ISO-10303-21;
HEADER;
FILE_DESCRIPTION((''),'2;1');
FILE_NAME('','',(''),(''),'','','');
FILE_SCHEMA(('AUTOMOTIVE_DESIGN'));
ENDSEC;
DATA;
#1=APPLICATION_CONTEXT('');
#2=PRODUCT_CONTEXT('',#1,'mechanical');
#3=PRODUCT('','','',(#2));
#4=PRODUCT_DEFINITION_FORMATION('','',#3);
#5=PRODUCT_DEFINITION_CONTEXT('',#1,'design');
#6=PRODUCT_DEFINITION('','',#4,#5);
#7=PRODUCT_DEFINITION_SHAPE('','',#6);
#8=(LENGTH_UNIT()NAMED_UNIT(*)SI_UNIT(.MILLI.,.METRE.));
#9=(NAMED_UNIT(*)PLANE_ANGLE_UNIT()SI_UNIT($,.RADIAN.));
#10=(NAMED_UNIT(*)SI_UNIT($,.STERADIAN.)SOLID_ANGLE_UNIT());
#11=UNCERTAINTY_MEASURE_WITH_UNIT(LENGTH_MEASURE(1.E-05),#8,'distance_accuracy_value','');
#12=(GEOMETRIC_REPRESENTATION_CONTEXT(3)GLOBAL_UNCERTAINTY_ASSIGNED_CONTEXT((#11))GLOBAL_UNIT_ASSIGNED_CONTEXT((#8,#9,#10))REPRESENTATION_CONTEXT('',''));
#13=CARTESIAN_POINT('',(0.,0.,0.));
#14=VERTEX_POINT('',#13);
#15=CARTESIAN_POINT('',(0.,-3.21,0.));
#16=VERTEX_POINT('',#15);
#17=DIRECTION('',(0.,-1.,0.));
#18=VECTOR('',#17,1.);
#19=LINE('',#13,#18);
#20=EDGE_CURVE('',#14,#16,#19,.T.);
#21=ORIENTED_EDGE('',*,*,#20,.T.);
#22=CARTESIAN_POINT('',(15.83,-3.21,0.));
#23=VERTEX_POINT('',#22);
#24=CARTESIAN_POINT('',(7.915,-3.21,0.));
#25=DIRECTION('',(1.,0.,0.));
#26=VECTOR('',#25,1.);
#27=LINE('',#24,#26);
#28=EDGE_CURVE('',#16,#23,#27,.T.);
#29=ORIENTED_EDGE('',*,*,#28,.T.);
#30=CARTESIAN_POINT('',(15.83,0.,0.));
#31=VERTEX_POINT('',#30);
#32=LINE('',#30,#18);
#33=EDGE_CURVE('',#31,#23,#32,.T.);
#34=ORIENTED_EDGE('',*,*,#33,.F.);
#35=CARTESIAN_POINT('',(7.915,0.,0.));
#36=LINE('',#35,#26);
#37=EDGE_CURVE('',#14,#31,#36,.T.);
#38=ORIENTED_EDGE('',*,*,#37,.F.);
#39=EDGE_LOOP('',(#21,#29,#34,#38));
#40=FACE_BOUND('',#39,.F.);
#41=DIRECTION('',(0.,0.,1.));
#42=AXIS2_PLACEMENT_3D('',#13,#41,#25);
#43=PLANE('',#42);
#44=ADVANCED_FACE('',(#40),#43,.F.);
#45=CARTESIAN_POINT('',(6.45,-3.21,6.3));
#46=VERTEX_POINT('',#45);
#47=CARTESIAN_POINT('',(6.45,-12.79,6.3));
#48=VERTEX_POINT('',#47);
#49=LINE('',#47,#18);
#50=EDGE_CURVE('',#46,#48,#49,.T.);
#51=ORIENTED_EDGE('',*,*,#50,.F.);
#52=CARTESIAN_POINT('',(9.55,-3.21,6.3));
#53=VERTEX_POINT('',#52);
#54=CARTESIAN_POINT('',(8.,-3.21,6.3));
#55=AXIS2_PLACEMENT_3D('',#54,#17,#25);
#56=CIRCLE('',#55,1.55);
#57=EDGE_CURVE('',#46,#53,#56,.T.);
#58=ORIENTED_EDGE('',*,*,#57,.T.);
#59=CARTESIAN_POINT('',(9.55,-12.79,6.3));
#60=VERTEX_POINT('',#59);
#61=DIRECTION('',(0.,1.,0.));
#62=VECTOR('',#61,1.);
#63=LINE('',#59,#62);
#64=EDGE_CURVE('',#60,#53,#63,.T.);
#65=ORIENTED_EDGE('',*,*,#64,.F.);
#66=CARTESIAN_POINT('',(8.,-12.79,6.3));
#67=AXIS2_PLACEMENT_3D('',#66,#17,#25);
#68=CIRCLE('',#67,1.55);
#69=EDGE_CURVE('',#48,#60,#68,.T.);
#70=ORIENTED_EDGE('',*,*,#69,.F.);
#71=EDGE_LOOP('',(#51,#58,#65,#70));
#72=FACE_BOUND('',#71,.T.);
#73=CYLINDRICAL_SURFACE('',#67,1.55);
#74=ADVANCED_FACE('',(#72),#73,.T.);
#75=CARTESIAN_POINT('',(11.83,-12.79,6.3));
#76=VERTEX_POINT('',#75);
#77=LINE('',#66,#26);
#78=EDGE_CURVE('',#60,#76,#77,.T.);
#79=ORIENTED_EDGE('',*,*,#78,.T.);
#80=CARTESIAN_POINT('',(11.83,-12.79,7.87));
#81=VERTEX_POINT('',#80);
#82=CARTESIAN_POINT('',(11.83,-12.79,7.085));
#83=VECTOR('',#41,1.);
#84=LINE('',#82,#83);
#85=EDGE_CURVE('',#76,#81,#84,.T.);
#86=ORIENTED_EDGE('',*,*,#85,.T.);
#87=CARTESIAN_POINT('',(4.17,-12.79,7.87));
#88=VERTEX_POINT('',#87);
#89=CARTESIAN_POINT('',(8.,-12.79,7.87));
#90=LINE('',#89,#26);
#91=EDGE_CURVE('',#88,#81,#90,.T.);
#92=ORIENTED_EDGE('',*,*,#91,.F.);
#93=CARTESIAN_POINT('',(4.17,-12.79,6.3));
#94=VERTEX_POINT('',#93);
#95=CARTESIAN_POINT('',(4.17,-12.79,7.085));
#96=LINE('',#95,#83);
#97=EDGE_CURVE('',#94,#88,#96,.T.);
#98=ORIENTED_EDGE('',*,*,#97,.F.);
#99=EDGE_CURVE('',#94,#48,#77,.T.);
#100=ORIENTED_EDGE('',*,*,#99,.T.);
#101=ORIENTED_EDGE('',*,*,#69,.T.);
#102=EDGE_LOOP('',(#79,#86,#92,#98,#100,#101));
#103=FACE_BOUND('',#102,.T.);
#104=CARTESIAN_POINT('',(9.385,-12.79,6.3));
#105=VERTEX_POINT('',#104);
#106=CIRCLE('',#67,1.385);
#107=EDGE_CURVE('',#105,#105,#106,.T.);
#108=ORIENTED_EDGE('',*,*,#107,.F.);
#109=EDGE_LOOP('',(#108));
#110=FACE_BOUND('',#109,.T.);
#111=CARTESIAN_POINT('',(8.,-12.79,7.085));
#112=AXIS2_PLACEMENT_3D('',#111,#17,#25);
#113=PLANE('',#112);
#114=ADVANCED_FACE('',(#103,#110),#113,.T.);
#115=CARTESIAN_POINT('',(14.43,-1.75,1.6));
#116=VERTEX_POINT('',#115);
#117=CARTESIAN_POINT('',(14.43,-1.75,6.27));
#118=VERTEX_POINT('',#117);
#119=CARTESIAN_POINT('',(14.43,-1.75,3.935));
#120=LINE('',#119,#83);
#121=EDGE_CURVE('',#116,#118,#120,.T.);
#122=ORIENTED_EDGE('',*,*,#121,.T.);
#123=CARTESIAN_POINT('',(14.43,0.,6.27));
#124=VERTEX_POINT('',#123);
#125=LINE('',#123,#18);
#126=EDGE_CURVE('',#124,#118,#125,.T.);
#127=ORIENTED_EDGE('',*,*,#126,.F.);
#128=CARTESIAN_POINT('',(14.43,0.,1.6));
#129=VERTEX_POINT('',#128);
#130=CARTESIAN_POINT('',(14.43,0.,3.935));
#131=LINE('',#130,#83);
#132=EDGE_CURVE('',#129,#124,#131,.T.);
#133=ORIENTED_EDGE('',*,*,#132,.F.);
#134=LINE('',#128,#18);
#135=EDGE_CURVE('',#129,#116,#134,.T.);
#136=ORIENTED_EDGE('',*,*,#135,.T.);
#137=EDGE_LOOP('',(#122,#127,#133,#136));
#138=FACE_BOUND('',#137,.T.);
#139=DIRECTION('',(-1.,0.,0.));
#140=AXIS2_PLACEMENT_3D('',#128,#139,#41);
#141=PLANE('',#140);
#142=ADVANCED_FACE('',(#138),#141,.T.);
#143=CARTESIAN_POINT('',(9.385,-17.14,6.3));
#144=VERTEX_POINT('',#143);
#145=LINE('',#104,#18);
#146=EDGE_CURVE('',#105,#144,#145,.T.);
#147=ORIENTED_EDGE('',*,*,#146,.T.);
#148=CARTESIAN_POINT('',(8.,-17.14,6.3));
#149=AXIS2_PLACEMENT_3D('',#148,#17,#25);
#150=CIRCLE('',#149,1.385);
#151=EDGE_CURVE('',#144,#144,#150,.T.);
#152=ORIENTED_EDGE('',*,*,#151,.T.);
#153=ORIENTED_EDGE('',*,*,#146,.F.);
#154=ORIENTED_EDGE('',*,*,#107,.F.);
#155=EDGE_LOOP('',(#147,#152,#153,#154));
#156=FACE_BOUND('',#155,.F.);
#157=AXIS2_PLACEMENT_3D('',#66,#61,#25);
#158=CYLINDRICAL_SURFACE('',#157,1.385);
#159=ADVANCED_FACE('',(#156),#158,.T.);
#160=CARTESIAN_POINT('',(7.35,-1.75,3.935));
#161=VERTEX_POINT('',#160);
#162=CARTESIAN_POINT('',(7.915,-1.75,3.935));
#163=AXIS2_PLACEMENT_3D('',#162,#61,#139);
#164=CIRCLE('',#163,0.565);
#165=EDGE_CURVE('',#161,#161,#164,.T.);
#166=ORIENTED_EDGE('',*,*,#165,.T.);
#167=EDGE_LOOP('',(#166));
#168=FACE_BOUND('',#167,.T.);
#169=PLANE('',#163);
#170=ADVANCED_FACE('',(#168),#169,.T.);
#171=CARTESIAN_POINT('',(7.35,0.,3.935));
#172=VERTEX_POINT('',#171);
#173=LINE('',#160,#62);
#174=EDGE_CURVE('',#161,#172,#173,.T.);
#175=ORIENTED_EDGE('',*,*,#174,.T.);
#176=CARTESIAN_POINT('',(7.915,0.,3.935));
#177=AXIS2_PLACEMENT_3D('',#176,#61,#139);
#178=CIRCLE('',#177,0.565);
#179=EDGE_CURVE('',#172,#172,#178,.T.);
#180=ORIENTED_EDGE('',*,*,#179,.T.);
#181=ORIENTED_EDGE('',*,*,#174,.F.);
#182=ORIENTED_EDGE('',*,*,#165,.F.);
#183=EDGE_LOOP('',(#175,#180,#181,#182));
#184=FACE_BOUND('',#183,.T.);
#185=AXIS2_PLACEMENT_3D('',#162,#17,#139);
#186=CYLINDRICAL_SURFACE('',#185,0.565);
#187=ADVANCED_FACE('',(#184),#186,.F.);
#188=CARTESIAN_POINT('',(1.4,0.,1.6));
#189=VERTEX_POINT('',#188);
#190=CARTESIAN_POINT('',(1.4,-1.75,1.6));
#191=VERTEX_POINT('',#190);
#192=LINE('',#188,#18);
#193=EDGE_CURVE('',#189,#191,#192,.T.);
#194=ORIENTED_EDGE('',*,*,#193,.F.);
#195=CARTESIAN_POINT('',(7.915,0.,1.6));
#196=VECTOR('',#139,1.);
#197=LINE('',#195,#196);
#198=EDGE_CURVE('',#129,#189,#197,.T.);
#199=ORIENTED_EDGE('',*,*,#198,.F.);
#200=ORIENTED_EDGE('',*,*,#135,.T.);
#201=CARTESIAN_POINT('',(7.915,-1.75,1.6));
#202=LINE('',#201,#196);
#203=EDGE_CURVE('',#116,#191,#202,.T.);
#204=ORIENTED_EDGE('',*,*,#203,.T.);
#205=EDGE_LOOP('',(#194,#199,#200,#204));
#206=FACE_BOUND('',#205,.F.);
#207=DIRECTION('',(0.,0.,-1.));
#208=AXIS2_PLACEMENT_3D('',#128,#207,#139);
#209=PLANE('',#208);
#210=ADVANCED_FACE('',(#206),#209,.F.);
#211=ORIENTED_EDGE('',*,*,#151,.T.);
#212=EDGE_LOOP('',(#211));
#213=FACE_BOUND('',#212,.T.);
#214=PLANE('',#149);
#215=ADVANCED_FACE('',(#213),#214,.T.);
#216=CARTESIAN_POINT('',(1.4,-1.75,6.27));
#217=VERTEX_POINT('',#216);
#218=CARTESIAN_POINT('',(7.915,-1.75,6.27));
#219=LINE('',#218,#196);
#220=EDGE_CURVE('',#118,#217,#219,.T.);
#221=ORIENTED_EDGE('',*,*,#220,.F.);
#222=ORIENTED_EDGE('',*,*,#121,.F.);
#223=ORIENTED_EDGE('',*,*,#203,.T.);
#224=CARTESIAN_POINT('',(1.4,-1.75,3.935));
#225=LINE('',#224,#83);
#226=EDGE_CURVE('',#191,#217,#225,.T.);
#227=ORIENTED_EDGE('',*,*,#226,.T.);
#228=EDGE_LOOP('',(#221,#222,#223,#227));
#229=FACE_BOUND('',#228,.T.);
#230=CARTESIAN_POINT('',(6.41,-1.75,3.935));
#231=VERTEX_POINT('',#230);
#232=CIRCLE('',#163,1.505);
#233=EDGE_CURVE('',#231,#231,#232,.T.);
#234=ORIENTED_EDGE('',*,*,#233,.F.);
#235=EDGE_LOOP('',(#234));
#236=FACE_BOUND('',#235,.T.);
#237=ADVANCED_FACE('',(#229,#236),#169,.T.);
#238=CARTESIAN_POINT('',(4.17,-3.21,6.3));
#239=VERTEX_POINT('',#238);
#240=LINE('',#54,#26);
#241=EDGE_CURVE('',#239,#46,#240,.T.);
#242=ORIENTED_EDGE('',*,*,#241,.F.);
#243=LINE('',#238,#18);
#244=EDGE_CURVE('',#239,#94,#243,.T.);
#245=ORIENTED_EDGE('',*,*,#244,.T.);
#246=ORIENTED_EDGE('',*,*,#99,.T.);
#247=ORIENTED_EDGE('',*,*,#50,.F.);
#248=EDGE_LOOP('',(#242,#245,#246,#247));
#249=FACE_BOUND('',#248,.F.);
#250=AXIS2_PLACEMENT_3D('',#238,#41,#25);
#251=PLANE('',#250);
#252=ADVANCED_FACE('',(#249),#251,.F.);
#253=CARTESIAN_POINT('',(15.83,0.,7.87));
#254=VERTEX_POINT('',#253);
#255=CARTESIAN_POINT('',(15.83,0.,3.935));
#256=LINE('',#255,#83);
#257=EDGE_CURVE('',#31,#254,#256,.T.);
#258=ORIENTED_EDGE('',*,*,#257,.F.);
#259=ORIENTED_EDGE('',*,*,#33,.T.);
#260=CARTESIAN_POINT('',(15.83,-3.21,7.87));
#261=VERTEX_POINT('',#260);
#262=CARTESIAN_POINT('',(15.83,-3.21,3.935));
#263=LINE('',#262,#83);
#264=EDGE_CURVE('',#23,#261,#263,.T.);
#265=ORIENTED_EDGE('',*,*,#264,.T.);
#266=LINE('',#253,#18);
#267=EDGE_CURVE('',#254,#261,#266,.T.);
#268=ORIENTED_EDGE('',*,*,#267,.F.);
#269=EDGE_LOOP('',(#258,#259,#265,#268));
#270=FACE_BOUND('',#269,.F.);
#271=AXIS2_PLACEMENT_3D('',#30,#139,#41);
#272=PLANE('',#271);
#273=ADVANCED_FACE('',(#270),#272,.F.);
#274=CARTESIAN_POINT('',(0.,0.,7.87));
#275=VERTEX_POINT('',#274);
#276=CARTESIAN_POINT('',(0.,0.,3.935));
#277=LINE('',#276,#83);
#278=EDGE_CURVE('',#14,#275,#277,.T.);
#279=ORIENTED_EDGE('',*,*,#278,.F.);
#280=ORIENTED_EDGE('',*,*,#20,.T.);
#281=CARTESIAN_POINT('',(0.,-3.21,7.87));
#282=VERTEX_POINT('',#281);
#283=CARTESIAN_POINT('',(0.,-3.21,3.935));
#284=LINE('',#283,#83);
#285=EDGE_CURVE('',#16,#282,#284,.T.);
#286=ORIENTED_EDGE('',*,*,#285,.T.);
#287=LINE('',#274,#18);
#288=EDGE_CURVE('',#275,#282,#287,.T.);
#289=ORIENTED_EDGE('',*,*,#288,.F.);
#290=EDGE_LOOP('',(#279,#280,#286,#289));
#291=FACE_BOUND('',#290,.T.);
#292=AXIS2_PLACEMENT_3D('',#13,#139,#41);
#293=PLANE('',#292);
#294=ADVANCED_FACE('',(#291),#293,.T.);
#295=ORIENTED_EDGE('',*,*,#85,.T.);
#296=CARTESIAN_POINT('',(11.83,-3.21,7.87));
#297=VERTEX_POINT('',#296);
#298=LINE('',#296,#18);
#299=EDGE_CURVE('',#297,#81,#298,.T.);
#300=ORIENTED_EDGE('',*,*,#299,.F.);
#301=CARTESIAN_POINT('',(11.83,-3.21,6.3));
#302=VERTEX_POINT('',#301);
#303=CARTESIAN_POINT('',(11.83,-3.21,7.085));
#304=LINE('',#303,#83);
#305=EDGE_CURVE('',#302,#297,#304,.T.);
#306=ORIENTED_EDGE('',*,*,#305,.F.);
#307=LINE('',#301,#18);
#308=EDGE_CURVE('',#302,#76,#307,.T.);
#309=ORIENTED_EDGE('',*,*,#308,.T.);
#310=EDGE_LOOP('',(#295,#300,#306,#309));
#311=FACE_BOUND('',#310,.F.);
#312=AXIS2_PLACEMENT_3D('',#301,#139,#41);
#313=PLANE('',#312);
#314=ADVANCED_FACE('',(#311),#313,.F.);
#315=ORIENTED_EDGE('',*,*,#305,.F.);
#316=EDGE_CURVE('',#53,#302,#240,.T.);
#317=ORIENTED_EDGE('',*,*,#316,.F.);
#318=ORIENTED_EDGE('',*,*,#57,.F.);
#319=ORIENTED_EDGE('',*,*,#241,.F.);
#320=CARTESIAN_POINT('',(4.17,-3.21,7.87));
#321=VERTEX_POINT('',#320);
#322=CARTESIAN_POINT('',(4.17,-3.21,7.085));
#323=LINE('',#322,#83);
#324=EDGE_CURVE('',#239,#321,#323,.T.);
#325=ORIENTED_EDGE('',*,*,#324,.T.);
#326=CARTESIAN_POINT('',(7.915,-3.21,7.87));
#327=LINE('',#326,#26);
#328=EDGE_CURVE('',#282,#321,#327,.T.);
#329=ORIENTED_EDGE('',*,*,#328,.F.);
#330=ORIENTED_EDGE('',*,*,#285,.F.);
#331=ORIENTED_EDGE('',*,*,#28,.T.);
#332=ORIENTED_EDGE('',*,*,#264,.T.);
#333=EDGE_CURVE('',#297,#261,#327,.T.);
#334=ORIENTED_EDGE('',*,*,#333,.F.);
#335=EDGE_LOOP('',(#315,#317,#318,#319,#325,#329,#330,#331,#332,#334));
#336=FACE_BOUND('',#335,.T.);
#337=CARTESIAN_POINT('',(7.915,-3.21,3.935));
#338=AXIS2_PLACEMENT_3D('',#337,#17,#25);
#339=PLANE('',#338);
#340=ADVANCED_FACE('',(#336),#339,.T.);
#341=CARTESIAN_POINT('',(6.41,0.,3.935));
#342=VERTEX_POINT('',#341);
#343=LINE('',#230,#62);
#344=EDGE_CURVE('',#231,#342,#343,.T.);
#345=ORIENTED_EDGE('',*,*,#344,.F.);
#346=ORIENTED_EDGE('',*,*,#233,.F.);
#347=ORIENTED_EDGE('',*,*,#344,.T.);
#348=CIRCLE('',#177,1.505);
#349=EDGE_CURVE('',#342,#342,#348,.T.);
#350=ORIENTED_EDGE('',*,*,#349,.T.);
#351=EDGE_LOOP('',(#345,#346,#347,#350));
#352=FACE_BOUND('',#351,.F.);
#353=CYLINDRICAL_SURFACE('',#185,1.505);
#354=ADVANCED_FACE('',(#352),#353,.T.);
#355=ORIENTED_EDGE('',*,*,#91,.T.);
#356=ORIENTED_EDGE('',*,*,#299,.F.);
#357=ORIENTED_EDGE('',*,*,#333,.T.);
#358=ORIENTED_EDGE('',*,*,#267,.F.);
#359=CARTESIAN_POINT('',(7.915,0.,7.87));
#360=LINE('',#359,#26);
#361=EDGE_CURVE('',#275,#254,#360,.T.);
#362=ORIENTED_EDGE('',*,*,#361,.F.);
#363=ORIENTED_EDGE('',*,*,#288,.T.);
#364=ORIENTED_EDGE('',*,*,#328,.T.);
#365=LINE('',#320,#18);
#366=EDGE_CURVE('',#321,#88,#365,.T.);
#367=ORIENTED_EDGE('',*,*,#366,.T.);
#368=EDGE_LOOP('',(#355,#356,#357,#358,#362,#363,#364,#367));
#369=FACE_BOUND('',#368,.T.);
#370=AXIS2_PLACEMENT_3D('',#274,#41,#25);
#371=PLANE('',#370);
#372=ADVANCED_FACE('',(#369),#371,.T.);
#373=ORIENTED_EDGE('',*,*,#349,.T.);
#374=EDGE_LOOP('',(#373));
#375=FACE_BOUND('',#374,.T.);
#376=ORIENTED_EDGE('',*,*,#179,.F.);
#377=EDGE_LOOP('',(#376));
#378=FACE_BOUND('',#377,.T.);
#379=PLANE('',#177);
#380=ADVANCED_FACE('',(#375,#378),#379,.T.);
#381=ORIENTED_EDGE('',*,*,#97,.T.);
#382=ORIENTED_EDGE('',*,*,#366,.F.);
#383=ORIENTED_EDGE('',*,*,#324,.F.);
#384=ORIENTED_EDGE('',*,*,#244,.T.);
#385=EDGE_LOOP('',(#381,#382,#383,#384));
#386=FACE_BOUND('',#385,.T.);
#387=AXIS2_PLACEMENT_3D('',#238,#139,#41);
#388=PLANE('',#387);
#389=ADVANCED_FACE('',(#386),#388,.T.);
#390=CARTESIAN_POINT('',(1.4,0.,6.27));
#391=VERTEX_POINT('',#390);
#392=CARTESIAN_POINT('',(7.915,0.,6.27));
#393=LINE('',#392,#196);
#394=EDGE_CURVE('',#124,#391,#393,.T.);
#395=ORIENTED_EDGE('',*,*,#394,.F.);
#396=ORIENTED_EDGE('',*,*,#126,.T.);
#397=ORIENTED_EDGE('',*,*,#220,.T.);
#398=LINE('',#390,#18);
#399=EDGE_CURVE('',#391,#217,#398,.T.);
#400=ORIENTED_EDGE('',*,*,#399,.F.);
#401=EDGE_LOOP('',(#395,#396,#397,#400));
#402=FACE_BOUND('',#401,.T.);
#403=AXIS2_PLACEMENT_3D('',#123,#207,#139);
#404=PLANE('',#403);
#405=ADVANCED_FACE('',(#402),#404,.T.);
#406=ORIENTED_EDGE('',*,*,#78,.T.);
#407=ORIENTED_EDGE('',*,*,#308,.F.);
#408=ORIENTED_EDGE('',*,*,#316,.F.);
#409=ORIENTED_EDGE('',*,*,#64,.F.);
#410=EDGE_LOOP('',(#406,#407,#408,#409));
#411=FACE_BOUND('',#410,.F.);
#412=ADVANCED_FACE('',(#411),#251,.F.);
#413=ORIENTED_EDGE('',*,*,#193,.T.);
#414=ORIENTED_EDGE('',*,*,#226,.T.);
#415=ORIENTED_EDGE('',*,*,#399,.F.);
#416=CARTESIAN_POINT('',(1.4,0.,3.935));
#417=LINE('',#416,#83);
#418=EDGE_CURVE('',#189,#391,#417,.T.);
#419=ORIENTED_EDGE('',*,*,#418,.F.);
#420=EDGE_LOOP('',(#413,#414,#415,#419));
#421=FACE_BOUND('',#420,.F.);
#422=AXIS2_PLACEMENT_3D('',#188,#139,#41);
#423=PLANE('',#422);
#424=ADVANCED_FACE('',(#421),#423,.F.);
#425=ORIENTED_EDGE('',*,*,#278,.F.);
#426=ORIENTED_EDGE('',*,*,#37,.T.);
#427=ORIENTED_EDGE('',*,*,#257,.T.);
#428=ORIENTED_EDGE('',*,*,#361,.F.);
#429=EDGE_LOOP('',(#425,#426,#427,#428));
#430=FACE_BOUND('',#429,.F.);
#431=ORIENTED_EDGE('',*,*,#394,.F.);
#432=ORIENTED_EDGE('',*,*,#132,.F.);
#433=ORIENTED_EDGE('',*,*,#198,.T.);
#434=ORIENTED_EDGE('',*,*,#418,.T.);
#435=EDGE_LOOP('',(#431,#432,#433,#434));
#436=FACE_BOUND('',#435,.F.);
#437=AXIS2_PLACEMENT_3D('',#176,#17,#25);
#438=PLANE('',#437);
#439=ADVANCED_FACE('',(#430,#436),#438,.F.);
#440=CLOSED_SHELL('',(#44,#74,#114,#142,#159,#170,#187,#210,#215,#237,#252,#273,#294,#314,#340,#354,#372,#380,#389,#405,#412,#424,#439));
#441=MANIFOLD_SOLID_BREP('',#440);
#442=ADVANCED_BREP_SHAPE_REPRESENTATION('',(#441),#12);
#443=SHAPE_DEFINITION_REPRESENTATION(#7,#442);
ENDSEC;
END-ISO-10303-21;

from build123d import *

# Parameters (mm, degrees)
F0_W      = 15.83
F0_H      = 7.87
F1_DEPTH  = 3.21
F2_W      = 13.03
F2_H      = 4.67
F3_DEPTH  = 1.75
F4_R      = 1.505
F4_R_2    = 0.565
F5_DEPTH  = 1.75
F6_W      = 7.66
F6_H      = 1.57
F7_DEPTH  = 9.58
F8_R      = 1.55
F9_DEPTH  = 9.58
F10_R     = 1.385
F11_DEPTH = 4.35


with BuildPart() as f1:
    # F0 (on Front) → F1 (new body)
    with BuildSketch(Plane.XZ):
        with Locations((7.915, 3.935)):
            Rectangle(F0_W, F0_H)
    extrude(amount=F1_DEPTH)

    # F2 (on face) → F3 (cut)
    with BuildSketch(Plane(origin=(0, 0, 0), x_dir=(-1, 0, 0), z_dir=(0, 1, 0))):
        with Locations((-7.915, 3.935)):
            Rectangle(F2_W, F2_H)
    extrude(amount=-F3_DEPTH, mode=Mode.SUBTRACT)

    # F4 (on face) → F5 (join, through all)
    with BuildSketch(Plane(origin=(0, -1.75, 0), x_dir=(-1, 0, 0), z_dir=(0, 1, 0))):
        with Locations((-7.915, 3.935)):
            Circle(F4_R)
        with Locations((-7.915, 3.935)):
            Circle(F4_R_2, mode=Mode.SUBTRACT)
    extrude(amount=F5_DEPTH)

    # F6 (on face) → F7 (join)
    with BuildSketch(Plane.XZ.offset(3.21)):
        with Locations((8, 7.085)):
            Rectangle(F6_W, F6_H)
    extrude(amount=F7_DEPTH)

    # F8 (on face) → F9 (join, through all)
    with BuildSketch(Plane.XZ.offset(12.79)):
        with Locations((8, 6.3)):
            Circle(F8_R)
    extrude(amount=-F9_DEPTH)

    # F10 (on face) → F11 (join)
    with BuildSketch(Plane.XZ.offset(12.79)):
        with Locations((8, 6.3)):
            Circle(F10_R)
    extrude(amount=F11_DEPTH)


solid = f1.part
